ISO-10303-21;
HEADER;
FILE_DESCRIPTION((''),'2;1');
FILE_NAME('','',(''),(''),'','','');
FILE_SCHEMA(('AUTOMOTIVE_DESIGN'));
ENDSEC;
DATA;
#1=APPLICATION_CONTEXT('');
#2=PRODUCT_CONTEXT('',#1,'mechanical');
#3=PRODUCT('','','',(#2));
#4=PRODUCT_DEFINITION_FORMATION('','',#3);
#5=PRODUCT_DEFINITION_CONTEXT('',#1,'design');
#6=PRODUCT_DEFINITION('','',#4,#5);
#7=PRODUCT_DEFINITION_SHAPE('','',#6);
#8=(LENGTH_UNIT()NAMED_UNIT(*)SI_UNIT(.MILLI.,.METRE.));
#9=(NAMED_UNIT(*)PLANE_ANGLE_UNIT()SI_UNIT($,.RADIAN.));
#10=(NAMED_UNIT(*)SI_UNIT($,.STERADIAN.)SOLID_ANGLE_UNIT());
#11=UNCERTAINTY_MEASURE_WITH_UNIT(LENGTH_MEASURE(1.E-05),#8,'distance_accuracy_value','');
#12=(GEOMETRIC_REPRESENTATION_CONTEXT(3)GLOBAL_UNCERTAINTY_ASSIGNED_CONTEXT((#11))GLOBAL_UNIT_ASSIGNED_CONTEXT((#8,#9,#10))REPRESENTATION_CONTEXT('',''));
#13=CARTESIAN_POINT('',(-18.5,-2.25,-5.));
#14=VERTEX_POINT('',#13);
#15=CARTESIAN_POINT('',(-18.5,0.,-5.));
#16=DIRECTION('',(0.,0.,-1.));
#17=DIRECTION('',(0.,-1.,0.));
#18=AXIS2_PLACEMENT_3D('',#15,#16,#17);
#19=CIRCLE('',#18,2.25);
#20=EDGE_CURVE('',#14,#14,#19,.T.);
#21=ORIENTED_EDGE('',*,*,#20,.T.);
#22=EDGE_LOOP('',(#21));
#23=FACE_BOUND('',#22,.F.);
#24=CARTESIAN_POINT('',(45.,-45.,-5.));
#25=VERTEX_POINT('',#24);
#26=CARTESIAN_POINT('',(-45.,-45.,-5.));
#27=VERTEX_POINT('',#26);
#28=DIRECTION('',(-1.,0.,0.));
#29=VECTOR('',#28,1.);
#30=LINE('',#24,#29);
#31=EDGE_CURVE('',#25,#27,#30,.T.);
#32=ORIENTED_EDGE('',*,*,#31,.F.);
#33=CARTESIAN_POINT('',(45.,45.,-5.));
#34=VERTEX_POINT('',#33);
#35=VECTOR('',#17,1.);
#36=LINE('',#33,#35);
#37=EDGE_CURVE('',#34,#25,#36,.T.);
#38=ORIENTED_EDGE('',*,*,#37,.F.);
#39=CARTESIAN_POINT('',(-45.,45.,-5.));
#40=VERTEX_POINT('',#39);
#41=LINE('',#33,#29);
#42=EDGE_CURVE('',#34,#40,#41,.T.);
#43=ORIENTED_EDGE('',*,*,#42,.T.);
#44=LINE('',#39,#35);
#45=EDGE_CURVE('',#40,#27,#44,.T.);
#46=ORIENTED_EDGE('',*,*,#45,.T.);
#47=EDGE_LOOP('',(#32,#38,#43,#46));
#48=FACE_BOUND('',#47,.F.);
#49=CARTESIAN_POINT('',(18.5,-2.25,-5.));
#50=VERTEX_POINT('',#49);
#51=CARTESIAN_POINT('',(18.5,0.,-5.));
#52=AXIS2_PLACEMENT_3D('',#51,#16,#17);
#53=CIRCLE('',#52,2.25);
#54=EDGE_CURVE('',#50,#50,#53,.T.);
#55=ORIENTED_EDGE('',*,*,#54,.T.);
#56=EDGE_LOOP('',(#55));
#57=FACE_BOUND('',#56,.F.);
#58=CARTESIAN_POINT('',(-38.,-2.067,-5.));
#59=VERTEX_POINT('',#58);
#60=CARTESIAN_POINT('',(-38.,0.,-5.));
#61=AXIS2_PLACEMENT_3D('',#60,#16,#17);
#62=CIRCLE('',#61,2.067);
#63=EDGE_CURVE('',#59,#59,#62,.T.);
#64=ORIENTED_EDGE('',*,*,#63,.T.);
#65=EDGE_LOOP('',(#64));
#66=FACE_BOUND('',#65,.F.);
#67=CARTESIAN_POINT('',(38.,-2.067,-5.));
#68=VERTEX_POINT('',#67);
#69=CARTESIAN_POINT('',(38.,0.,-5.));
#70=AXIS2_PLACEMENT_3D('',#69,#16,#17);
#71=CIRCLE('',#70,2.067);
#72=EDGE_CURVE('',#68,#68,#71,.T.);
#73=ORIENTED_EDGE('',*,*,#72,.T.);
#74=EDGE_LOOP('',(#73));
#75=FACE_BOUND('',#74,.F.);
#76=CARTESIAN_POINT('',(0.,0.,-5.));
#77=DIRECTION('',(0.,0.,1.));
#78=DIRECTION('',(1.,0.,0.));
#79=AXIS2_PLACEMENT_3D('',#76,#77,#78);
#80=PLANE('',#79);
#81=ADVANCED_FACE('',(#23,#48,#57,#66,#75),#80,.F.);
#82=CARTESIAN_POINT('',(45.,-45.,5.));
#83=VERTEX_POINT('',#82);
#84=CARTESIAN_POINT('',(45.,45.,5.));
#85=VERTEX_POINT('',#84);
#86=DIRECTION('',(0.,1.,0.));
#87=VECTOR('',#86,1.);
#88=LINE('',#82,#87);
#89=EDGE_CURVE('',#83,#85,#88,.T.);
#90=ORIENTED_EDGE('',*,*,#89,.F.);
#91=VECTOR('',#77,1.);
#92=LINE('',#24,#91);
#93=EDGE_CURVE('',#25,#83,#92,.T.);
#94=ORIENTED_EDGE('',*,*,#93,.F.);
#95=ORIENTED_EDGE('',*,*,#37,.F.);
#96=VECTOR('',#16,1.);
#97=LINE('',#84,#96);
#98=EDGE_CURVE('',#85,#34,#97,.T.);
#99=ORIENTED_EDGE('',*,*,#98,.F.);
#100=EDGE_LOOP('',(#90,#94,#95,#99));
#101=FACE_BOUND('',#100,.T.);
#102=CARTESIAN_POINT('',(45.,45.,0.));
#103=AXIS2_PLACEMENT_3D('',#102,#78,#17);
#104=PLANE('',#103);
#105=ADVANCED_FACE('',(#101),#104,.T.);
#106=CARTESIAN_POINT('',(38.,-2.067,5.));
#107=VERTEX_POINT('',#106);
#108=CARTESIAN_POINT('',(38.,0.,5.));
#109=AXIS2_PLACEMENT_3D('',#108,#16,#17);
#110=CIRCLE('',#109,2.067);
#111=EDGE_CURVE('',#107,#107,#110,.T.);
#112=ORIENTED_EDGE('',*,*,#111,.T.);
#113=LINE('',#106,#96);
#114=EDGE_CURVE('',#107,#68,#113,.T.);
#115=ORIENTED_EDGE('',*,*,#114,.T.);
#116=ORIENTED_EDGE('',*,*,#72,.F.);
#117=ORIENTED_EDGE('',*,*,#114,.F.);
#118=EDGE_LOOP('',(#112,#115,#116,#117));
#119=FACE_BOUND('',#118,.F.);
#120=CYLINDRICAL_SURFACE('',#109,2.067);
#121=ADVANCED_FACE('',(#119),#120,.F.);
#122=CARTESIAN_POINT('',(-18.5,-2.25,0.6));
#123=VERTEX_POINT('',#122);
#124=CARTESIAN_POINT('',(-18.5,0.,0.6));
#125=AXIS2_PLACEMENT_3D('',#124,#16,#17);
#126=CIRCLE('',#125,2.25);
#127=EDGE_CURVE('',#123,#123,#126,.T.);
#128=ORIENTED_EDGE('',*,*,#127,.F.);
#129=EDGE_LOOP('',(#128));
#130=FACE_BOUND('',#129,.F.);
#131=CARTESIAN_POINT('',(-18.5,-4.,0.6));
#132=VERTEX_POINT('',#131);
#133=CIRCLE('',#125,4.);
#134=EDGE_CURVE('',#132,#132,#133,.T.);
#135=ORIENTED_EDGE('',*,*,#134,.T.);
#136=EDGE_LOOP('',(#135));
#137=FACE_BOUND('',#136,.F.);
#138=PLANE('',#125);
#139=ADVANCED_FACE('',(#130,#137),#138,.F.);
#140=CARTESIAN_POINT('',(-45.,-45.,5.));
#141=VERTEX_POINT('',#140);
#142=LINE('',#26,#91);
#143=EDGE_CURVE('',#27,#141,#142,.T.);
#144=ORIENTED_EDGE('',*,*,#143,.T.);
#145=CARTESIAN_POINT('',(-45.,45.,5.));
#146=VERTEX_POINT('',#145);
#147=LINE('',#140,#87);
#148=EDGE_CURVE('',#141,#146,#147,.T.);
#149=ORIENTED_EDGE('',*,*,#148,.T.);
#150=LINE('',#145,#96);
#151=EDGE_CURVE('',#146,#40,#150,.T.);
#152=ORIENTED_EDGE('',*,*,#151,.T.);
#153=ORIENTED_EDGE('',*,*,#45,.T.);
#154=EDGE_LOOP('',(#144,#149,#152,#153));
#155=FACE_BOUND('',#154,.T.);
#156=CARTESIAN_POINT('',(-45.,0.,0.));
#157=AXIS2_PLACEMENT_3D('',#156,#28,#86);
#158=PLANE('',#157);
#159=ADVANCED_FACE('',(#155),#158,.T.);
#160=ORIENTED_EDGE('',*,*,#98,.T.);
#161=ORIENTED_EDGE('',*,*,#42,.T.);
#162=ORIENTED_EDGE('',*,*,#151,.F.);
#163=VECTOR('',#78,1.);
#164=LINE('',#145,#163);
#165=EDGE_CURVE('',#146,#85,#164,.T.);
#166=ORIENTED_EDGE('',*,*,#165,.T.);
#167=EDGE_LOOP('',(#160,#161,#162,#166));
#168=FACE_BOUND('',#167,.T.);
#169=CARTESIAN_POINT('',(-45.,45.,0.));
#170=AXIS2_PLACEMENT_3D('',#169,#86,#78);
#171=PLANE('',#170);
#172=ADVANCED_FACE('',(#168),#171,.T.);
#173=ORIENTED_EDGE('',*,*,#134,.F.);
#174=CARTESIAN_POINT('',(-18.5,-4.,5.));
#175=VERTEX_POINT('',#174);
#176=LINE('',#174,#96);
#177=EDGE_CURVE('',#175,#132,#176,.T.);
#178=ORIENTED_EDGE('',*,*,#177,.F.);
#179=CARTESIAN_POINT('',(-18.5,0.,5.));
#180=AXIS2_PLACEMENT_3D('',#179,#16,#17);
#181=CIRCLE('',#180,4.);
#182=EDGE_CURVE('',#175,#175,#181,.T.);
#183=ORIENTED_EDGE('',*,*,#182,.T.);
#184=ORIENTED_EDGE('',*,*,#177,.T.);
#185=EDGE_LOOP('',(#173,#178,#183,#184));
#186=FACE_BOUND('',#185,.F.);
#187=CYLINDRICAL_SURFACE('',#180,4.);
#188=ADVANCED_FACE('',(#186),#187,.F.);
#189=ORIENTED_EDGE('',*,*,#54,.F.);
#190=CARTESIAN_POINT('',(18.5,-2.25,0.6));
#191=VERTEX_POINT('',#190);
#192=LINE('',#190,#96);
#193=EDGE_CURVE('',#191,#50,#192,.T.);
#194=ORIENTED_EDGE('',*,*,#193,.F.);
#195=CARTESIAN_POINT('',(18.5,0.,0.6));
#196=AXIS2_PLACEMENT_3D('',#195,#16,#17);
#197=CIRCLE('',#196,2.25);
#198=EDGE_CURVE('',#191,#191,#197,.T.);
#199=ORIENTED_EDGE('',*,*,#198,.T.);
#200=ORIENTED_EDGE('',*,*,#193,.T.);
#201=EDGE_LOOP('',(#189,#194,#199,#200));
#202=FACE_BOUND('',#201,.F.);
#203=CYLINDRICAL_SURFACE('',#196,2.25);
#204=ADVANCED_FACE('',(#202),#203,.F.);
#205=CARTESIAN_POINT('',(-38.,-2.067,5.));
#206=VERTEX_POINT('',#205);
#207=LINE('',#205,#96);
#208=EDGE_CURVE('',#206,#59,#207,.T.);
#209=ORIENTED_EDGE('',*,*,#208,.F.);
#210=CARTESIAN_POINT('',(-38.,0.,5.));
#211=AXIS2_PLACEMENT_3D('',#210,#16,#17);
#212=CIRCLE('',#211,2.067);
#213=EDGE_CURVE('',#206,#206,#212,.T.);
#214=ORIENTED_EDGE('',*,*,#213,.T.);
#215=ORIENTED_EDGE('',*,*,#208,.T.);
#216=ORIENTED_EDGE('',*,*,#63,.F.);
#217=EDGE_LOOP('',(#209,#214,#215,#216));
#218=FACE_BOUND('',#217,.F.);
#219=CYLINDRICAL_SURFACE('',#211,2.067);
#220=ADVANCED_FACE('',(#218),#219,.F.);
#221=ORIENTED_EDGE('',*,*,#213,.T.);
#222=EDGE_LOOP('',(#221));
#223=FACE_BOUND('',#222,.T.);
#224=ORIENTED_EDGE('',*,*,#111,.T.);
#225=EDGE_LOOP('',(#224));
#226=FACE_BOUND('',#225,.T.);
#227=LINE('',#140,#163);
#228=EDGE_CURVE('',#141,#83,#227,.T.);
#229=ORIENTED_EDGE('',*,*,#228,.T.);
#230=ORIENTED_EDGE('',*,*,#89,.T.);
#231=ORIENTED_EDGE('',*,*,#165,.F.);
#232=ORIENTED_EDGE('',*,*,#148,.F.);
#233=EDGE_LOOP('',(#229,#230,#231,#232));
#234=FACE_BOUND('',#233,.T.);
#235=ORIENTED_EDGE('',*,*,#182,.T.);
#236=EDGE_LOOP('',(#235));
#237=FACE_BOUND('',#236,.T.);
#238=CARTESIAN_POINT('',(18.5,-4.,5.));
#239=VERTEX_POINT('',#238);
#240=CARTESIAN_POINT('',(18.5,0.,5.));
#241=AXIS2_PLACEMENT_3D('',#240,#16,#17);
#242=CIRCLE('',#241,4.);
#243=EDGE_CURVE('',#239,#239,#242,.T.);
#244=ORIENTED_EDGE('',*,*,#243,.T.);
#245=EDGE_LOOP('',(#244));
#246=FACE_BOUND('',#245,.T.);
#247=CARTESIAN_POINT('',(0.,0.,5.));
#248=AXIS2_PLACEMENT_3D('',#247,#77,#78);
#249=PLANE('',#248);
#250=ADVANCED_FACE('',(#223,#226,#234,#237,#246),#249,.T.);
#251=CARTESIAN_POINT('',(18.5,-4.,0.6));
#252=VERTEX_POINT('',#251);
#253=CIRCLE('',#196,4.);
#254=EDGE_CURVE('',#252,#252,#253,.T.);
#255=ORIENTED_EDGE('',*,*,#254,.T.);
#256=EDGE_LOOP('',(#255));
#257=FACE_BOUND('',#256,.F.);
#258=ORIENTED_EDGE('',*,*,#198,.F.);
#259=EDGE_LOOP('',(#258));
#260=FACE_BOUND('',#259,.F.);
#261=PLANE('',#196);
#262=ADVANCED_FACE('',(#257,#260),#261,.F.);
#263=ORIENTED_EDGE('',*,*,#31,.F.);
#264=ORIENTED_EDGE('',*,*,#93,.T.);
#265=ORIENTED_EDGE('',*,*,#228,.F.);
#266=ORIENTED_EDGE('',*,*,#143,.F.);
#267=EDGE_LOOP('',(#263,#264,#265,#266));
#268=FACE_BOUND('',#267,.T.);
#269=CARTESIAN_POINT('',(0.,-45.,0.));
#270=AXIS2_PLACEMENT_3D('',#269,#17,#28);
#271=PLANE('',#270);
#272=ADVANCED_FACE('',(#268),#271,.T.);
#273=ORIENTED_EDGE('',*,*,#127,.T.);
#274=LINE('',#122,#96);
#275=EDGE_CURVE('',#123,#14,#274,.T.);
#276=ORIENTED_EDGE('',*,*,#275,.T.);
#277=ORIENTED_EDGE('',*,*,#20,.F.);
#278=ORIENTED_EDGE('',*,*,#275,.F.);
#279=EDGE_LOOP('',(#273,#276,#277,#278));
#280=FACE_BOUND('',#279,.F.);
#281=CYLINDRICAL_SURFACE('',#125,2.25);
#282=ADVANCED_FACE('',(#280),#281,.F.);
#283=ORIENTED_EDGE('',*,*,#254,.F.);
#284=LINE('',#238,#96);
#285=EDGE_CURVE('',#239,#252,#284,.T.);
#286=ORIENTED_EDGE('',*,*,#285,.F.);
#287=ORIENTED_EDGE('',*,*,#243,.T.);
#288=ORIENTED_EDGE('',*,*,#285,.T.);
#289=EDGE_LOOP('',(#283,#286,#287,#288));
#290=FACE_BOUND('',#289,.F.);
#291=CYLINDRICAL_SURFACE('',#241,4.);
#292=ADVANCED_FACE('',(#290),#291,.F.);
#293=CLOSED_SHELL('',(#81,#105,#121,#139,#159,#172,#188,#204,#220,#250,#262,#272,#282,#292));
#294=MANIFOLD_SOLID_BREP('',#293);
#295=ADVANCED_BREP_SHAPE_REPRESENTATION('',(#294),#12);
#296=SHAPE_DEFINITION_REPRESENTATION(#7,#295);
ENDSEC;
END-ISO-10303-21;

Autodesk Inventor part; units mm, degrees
ref_plane "YZ Plane" through (0, 0, 0) normal (1, 0, 0) x (0, 1, 0)
ref_plane "XZ Plane" through (0, 0, 0) normal (0, 1, 0) x (-1, 0, 0)
ref_plane "XY Plane" through (0, 0, 0) normal (0, 0, 1) x (1, 0, 0)
sketch "Skizze_Grundkörper" plane through (0, 0, 0) normal (0, 0, 1) x (1, 0, 0)
  line L0 (-63, 0) -> (63, 0) projected
  line L1 (0, -63) -> (0, 63) projected
  line L2 (45, -45) -> (-45, -45)
  line L3 (-45, -45) -> (-45, 45)
  line L4 (-45, 45) -> (45, 45)
  line L5 (45, 45) -> (45, -45)
  line L6 (45, -45) -> (-45, 45) construction
  line L7 (-45, -45) -> (45, 45) construction
  point P0 (0, 0)
  dimension "Breite" = 90
  dimension "Länge" = 90
extrude "Grundkörper" add sketch "Skizze_Grundkörper" along normal mid plane 10
sketch "Skizze_Senkbohrung" plane through (0, 0, 5) normal (0, 0, 1) x (1, 0, 0)
  line L0 (-63, 0) -> (63, 0) projected
  line L1 (0, -63) -> (0, 63) projected
  point P0 (0, 0)
  point P1 (-18.5, 0)
  point P2 (18.5, 0)
  dimension "Senkbohrung_Abstand" = 37
hole "Senkbohrung" at (-18.5, 0, 5) at (18.5, 0, 5) direction (0, 0, -1) diameter 4.5 end through all counterbore diameter 8 counterbore depth 4.4
sketch "Skizze_Gewindebohrung_M5" plane through (0, 0, 5) normal (0, 0, 1) x (1, 0, 0)
  line L0 (-63, 0) -> (63, 0) projected
  line L1 (0, -63) -> (0, 63) projected
  point P0 (0, 0)
  point P1 (-38, 0)
  point P2 (38, 0)
  dimension "Gewindeabstand" = 76
hole "Gewindebohrung_M5" at (-38, 0, 5) at (38, 0, 5) direction (0, 0, -1) diameter 4.134 end through all thread size "M5x0.8" class "6H" standard "ISO Metric profile"
properties part number "Grundplatte_2016_iLogic"
